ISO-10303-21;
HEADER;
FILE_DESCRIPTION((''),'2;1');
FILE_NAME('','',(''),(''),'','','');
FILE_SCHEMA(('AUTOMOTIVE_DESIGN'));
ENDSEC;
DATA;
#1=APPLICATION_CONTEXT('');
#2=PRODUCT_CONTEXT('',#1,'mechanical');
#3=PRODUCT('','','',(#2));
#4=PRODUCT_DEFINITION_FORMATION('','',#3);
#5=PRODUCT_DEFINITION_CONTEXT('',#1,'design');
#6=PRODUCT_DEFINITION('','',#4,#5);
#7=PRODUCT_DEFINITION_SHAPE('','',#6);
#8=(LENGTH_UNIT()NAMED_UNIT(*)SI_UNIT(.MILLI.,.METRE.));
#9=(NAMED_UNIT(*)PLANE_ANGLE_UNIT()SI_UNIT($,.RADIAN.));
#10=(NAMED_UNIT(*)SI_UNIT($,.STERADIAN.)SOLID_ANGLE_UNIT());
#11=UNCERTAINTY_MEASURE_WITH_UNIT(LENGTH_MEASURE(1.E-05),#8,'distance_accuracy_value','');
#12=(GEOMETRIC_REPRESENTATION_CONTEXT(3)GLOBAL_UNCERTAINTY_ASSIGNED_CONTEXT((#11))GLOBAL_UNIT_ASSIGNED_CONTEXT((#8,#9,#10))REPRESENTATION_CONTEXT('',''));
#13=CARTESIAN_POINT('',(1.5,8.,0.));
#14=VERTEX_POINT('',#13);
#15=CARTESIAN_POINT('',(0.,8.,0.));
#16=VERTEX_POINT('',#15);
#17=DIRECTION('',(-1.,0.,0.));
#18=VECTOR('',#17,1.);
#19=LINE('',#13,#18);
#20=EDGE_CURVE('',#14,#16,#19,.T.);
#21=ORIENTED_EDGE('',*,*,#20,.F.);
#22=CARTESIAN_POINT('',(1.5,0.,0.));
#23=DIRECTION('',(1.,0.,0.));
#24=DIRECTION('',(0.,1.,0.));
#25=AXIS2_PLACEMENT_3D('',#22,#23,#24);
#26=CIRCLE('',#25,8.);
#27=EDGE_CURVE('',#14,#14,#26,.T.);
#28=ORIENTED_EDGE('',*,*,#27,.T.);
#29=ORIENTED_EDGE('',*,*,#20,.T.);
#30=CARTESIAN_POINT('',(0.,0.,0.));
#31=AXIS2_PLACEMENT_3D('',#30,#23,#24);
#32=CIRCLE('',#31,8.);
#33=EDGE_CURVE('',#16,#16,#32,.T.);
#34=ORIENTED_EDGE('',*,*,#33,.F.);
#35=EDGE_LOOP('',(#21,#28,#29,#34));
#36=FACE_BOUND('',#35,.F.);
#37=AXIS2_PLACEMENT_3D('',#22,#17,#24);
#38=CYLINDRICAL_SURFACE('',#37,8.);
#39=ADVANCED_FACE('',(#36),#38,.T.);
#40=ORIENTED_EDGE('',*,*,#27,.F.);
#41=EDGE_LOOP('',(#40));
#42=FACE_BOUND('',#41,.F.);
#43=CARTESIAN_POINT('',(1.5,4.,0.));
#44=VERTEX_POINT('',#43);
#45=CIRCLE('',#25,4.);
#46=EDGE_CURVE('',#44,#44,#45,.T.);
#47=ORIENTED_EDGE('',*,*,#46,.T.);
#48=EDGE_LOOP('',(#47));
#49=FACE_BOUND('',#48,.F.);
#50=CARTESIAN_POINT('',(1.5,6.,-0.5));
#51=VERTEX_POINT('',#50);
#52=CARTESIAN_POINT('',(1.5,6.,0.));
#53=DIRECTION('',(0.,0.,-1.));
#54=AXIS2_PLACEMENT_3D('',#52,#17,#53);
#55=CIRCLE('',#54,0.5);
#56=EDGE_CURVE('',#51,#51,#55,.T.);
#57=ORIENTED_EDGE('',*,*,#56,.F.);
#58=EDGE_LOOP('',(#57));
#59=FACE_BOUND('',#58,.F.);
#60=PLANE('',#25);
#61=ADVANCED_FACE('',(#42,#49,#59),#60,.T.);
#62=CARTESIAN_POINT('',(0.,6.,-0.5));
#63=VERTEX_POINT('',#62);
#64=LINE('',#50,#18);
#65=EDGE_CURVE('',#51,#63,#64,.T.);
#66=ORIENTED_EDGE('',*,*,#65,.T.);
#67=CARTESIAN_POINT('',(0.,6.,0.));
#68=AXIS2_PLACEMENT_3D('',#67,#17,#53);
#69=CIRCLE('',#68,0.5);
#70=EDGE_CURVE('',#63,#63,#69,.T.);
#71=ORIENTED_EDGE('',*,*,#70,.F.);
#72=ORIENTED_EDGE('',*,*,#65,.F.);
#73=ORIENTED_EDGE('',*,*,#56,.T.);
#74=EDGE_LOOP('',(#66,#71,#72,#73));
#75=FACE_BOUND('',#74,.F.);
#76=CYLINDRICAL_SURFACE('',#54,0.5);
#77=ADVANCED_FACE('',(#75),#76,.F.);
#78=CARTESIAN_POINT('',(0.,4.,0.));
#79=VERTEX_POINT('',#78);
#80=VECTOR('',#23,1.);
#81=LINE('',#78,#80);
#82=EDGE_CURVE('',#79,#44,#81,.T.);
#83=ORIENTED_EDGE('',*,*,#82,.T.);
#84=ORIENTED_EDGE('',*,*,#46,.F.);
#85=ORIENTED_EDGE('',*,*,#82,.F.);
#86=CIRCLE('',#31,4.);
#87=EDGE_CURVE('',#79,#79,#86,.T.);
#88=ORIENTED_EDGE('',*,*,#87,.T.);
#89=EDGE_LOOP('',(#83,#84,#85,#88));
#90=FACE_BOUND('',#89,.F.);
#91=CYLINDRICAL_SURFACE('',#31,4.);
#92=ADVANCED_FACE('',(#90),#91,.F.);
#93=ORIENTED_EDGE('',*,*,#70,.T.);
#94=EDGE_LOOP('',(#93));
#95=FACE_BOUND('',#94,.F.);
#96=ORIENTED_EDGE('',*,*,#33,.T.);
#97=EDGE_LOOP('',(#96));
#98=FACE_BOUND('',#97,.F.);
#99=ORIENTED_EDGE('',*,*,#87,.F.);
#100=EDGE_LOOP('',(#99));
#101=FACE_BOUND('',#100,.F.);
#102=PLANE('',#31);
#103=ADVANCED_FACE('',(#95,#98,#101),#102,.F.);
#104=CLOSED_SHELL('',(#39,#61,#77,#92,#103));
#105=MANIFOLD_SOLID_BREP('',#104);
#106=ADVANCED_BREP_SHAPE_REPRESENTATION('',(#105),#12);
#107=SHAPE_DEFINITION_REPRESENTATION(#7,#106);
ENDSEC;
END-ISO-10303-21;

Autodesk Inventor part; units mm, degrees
ref_plane "YZ Plane" through (0, 0, 0) normal (1, 0, 0) x (0, 1, 0)
ref_plane "XZ Plane" through (0, 0, 0) normal (0, 1, 0) x (-1, 0, 0)
ref_plane "XY Plane" through (0, 0, 0) normal (0, 0, 1) x (1, 0, 0)
sketch "Sketch_1" plane through (0, 0, 0) normal (0, 0, 1) x (1, 0, 0)
  line L0 (1.5, 0) -> (0, 0)
  line L1 (0, 4) -> (1.5, 4)
  line L2 (1.5, 4) -> (1.5, 8)
  line L3 (1.5, 8) -> (0, 8)
  line L4 (0, 8) -> (0, 4)
revolve "Revolution1" add sketch "Sketch_1" angle 360 about axis through (1.5, 0, 0) along (1, 0, 0)
sketch "Sketch2" plane through (1.5, 0, 0) normal (1, 0, 0) x (0, 0, -1)
  point P0 (0, 6)
hole "Hole1" at (1.5, 6, 0) direction (-1, 0, 0) diameter 1 depth 1.5
properties part number "LFW-0815"
